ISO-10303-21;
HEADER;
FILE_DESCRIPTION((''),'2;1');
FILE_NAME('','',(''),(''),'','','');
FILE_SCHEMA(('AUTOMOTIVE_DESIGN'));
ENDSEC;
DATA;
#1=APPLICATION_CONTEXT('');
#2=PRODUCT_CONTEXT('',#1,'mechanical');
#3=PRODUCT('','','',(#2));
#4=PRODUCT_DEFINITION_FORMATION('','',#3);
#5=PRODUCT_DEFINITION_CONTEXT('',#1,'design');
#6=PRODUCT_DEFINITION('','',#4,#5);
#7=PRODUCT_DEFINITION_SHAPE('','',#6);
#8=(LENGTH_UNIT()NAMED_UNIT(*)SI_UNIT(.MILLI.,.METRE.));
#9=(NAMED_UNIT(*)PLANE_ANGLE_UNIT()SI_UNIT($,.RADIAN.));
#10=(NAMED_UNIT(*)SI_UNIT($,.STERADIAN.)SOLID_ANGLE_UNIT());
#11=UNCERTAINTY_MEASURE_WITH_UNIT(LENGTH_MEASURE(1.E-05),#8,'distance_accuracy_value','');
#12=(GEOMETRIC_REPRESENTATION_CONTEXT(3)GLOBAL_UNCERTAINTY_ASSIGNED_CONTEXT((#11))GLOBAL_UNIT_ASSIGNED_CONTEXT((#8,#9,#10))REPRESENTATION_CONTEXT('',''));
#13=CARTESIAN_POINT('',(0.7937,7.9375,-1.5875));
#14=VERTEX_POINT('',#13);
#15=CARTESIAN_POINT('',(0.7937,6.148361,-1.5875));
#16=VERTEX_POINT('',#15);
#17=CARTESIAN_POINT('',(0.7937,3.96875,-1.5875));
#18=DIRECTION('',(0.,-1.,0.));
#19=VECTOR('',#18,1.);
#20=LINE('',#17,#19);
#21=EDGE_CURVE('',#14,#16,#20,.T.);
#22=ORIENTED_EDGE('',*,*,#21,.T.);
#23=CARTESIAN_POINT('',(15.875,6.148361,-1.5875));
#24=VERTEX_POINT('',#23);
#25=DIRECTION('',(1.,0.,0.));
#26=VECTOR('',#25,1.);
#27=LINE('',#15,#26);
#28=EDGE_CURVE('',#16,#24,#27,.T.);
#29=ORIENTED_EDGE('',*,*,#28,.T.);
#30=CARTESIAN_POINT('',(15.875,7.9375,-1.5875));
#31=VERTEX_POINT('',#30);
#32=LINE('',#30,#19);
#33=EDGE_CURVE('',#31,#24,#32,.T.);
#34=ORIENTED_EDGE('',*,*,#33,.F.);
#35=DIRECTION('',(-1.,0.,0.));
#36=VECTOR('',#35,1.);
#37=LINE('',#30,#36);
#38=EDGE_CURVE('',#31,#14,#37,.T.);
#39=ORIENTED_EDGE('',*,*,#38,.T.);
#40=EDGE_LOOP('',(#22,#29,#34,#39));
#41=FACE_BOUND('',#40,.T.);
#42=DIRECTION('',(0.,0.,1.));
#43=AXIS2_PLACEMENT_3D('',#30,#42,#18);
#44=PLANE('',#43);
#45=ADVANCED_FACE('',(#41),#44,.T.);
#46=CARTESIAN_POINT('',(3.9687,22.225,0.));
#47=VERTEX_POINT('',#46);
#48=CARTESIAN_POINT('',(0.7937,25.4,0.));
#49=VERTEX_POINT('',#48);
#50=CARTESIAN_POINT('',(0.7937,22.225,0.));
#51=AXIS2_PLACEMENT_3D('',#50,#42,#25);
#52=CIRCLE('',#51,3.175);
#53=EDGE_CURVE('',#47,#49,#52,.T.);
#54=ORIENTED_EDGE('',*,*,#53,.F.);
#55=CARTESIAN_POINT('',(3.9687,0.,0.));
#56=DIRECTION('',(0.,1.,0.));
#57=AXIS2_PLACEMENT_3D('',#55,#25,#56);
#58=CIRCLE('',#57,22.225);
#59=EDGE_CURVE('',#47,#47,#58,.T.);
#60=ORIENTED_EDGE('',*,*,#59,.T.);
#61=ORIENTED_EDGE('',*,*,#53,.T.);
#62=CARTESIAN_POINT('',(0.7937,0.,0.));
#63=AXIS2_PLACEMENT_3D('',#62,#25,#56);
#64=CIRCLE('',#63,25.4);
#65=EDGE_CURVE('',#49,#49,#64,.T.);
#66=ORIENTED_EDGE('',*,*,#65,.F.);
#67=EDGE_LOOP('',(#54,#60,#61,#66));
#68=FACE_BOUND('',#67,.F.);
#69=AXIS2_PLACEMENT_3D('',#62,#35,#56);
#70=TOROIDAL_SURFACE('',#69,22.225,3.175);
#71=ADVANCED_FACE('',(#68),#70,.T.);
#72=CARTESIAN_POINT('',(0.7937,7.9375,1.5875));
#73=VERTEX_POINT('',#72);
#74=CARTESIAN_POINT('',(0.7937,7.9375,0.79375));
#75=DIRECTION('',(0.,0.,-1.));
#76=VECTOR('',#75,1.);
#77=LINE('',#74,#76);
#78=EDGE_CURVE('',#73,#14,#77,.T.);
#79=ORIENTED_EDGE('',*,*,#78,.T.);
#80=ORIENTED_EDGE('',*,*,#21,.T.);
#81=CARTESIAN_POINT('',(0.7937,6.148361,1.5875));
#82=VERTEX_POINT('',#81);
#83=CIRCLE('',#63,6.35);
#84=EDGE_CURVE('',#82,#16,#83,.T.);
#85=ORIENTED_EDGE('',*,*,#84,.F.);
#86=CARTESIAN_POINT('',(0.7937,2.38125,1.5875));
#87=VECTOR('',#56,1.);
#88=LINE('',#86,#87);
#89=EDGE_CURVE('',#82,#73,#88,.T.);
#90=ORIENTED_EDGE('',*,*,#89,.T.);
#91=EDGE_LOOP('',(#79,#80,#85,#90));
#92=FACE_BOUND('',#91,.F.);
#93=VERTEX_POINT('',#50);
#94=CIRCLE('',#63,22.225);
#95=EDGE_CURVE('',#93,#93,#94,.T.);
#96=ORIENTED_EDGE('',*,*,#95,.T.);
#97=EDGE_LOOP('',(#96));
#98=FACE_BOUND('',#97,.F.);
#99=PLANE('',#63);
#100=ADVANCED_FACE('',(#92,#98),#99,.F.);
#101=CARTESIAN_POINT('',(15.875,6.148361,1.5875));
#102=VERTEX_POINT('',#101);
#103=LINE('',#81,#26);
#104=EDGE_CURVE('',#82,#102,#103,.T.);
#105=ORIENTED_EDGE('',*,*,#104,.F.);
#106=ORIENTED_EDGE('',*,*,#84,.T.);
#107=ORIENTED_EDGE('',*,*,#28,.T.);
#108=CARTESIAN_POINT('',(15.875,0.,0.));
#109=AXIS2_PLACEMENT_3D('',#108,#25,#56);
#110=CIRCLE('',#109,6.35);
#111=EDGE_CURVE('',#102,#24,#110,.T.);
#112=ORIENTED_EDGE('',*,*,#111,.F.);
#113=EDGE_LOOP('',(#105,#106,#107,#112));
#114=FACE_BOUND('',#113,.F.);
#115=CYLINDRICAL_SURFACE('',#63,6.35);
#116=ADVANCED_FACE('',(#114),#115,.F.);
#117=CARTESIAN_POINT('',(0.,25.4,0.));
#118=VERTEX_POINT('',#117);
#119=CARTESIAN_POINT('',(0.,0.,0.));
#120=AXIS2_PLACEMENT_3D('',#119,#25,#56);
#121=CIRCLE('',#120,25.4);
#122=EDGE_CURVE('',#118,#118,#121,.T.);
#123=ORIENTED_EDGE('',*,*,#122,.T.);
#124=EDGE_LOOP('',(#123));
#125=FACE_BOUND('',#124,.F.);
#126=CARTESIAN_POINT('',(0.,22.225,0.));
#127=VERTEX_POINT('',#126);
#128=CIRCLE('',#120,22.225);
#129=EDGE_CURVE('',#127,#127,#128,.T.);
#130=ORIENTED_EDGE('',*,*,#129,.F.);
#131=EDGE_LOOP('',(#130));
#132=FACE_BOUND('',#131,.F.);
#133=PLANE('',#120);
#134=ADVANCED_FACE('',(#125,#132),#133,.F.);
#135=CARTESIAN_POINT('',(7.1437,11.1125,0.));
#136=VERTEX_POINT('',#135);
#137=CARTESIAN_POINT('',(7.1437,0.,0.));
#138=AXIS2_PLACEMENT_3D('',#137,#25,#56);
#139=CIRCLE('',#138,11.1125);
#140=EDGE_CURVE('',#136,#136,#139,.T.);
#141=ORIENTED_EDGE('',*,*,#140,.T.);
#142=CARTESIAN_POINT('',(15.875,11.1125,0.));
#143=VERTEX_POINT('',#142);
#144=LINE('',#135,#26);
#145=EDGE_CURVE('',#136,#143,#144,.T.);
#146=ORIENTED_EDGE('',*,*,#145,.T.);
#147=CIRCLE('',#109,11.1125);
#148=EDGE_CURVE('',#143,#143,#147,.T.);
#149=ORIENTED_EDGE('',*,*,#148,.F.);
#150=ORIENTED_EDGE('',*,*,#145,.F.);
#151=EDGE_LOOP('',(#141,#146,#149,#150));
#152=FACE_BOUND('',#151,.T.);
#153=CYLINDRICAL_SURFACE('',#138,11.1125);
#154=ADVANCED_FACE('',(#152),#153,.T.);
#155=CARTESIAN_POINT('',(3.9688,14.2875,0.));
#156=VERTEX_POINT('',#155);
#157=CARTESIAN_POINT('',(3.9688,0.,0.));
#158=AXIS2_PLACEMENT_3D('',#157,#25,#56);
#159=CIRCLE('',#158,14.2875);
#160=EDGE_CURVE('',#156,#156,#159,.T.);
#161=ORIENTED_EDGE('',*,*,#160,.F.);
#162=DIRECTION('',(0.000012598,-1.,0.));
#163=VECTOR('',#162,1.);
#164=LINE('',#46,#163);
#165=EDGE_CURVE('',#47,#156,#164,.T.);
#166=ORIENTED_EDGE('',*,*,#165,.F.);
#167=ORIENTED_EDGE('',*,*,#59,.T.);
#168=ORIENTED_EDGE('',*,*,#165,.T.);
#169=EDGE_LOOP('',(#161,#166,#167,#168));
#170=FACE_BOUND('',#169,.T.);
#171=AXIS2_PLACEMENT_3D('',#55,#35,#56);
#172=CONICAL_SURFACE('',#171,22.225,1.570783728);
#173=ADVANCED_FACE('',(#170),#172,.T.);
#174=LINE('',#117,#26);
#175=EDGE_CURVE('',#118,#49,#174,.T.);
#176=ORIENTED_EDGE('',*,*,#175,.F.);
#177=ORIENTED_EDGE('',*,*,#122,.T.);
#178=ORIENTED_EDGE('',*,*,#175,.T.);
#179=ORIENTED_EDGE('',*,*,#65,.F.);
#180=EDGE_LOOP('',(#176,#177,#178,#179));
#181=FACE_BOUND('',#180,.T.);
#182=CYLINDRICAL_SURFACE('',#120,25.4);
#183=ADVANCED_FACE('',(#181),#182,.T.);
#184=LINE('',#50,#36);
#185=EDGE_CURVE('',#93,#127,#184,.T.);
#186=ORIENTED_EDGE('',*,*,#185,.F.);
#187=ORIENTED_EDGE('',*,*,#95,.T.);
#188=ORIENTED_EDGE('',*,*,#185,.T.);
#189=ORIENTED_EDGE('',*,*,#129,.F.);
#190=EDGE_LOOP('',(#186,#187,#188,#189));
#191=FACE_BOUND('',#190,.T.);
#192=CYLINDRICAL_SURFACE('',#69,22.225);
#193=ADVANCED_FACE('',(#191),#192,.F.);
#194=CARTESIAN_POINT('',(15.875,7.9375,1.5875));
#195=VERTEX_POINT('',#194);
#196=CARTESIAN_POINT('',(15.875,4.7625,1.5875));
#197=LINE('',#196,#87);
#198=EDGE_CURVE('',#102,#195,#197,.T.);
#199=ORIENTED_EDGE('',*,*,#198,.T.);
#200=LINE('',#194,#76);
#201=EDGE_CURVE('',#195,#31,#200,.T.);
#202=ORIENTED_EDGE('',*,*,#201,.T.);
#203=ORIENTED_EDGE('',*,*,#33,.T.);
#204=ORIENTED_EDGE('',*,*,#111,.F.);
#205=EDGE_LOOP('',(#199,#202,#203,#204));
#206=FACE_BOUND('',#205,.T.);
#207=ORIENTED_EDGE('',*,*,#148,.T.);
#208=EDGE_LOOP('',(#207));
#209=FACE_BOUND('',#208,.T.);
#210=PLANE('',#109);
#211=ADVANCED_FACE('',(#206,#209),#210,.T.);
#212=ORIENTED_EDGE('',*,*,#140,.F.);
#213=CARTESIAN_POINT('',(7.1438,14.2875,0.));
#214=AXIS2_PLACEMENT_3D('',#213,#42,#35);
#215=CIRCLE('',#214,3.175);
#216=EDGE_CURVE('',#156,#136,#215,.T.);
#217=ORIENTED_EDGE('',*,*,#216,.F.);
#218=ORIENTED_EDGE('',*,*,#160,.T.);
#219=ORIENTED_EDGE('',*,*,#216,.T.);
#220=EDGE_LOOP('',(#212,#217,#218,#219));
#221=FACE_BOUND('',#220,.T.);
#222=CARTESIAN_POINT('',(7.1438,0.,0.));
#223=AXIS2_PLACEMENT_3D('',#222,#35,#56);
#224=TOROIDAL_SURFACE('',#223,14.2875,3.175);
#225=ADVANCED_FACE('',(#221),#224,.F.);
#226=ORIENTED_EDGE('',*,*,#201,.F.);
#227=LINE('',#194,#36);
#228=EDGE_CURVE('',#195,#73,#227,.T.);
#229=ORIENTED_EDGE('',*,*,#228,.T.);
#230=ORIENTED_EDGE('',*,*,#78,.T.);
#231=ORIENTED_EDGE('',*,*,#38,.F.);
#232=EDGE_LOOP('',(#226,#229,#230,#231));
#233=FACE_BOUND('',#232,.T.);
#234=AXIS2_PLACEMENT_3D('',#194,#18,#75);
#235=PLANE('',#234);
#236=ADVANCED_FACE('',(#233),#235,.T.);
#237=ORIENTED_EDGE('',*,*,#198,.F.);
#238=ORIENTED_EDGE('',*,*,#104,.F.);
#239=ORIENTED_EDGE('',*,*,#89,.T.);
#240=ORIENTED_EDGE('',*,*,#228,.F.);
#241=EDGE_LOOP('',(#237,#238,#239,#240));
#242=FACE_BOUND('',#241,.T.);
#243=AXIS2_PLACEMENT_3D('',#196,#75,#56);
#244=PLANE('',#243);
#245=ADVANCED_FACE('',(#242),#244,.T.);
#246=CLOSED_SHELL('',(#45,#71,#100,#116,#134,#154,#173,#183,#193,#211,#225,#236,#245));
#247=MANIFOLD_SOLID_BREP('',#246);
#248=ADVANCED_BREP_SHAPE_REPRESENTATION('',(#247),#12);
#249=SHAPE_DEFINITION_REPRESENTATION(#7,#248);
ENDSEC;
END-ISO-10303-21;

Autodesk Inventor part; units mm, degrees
ref_plane "YZ Plane" through (0, 0, 0) normal (1, 0, 0) x (0, 1, 0)
ref_plane "XZ Plane" through (0, 0, 0) normal (0, 1, 0) x (-1, 0, 0)
ref_plane "XY Plane" through (0, 0, 0) normal (0, 0, 1) x (1, 0, 0)
sketch "Sketch1" plane through (0, 0, 0) normal (0, 0, 1) x (1, 0, 0)
  line L0 (0, 25.4) -> (0.7937, 25.4)
  line L1 (3.9687, 22.225) -> (3.9688, 14.2875)
  line L2 (7.1437, 11.1125) -> (15.875, 11.1125)
  line L3 (0, 25.4) -> (0, 22.225)
  line L4 (-3.175, 0) -> (19.05, 0) projected
  line L5 (0, -5.2115) -> (0, 31.2691) construction
  line L6 (15.875, 11.1125) -> (15.875, 6.35)
  arc A0 (3.9687, 22.225) -> (0.7937, 25.4) centre (0.7937, 22.225) ccw
  arc A1 (3.9688, 14.2875) -> (7.1437, 11.1125) centre (7.1438, 14.2875) ccw
  line L7 (0.7937, 22.225) -> (0.7937, 6.35)
  line L8 (0.7937, 22.225) -> (0, 22.225)
  line L9 (0.7937, 6.35) -> (15.875, 6.35)
  point P0 (0, 0)
  dimension "d0" = 50.8
  dimension "d1" = 22.225
  dimension "d2" = 0
  dimension "d3" = 15.875
  dimension "d4" = 3.9688
  dimension "d5" = 3.175
  dimension "d6" = 0.7937
  dimension "d7" = 44.45
  dimension "d8" = 12.7
revolve "Revolution1" add sketch "Sketch1" angle 360 about axis through (-10, 0, 0) along (1, 0, 0)
sketch "Sketch2" plane through (15.875, 0, 0) normal (1, 0, 0) x (0, 0, -1)
  line L0 (0, -35.56) -> (0, 35.56) construction
  line L1 (35.56, 0) -> (-35.56, 0) construction
  line L2 (-1.5875, 7.9375) -> (1.5875, 7.9375)
  line L3 (1.5875, 7.9375) -> (1.5875, 4.7625)
  line L4 (1.5875, 4.7625) -> (-1.5875, 4.7625)
  line L5 (-1.5875, 4.7625) -> (-1.5875, 7.9375)
  line L6 (-4.6004, 6.35) -> (6.3294, 6.35) construction
  circle A0 centre (0, 0) radius 6.35 construction
  dimension "d10" = 3.175
  dimension "d11" = 1.5875
  dimension "d12" = 1.5875
  dimension "d13" = 3.175
extrude "Extrusion1" cut sketch "Sketch2" against normal through all
equation "\"d11\" = 0.5 * d10"
equation "\"d13\" = 2 * d12"
properties part number "Brida de la Rueda" material "Aluminum 6061-AHC"
